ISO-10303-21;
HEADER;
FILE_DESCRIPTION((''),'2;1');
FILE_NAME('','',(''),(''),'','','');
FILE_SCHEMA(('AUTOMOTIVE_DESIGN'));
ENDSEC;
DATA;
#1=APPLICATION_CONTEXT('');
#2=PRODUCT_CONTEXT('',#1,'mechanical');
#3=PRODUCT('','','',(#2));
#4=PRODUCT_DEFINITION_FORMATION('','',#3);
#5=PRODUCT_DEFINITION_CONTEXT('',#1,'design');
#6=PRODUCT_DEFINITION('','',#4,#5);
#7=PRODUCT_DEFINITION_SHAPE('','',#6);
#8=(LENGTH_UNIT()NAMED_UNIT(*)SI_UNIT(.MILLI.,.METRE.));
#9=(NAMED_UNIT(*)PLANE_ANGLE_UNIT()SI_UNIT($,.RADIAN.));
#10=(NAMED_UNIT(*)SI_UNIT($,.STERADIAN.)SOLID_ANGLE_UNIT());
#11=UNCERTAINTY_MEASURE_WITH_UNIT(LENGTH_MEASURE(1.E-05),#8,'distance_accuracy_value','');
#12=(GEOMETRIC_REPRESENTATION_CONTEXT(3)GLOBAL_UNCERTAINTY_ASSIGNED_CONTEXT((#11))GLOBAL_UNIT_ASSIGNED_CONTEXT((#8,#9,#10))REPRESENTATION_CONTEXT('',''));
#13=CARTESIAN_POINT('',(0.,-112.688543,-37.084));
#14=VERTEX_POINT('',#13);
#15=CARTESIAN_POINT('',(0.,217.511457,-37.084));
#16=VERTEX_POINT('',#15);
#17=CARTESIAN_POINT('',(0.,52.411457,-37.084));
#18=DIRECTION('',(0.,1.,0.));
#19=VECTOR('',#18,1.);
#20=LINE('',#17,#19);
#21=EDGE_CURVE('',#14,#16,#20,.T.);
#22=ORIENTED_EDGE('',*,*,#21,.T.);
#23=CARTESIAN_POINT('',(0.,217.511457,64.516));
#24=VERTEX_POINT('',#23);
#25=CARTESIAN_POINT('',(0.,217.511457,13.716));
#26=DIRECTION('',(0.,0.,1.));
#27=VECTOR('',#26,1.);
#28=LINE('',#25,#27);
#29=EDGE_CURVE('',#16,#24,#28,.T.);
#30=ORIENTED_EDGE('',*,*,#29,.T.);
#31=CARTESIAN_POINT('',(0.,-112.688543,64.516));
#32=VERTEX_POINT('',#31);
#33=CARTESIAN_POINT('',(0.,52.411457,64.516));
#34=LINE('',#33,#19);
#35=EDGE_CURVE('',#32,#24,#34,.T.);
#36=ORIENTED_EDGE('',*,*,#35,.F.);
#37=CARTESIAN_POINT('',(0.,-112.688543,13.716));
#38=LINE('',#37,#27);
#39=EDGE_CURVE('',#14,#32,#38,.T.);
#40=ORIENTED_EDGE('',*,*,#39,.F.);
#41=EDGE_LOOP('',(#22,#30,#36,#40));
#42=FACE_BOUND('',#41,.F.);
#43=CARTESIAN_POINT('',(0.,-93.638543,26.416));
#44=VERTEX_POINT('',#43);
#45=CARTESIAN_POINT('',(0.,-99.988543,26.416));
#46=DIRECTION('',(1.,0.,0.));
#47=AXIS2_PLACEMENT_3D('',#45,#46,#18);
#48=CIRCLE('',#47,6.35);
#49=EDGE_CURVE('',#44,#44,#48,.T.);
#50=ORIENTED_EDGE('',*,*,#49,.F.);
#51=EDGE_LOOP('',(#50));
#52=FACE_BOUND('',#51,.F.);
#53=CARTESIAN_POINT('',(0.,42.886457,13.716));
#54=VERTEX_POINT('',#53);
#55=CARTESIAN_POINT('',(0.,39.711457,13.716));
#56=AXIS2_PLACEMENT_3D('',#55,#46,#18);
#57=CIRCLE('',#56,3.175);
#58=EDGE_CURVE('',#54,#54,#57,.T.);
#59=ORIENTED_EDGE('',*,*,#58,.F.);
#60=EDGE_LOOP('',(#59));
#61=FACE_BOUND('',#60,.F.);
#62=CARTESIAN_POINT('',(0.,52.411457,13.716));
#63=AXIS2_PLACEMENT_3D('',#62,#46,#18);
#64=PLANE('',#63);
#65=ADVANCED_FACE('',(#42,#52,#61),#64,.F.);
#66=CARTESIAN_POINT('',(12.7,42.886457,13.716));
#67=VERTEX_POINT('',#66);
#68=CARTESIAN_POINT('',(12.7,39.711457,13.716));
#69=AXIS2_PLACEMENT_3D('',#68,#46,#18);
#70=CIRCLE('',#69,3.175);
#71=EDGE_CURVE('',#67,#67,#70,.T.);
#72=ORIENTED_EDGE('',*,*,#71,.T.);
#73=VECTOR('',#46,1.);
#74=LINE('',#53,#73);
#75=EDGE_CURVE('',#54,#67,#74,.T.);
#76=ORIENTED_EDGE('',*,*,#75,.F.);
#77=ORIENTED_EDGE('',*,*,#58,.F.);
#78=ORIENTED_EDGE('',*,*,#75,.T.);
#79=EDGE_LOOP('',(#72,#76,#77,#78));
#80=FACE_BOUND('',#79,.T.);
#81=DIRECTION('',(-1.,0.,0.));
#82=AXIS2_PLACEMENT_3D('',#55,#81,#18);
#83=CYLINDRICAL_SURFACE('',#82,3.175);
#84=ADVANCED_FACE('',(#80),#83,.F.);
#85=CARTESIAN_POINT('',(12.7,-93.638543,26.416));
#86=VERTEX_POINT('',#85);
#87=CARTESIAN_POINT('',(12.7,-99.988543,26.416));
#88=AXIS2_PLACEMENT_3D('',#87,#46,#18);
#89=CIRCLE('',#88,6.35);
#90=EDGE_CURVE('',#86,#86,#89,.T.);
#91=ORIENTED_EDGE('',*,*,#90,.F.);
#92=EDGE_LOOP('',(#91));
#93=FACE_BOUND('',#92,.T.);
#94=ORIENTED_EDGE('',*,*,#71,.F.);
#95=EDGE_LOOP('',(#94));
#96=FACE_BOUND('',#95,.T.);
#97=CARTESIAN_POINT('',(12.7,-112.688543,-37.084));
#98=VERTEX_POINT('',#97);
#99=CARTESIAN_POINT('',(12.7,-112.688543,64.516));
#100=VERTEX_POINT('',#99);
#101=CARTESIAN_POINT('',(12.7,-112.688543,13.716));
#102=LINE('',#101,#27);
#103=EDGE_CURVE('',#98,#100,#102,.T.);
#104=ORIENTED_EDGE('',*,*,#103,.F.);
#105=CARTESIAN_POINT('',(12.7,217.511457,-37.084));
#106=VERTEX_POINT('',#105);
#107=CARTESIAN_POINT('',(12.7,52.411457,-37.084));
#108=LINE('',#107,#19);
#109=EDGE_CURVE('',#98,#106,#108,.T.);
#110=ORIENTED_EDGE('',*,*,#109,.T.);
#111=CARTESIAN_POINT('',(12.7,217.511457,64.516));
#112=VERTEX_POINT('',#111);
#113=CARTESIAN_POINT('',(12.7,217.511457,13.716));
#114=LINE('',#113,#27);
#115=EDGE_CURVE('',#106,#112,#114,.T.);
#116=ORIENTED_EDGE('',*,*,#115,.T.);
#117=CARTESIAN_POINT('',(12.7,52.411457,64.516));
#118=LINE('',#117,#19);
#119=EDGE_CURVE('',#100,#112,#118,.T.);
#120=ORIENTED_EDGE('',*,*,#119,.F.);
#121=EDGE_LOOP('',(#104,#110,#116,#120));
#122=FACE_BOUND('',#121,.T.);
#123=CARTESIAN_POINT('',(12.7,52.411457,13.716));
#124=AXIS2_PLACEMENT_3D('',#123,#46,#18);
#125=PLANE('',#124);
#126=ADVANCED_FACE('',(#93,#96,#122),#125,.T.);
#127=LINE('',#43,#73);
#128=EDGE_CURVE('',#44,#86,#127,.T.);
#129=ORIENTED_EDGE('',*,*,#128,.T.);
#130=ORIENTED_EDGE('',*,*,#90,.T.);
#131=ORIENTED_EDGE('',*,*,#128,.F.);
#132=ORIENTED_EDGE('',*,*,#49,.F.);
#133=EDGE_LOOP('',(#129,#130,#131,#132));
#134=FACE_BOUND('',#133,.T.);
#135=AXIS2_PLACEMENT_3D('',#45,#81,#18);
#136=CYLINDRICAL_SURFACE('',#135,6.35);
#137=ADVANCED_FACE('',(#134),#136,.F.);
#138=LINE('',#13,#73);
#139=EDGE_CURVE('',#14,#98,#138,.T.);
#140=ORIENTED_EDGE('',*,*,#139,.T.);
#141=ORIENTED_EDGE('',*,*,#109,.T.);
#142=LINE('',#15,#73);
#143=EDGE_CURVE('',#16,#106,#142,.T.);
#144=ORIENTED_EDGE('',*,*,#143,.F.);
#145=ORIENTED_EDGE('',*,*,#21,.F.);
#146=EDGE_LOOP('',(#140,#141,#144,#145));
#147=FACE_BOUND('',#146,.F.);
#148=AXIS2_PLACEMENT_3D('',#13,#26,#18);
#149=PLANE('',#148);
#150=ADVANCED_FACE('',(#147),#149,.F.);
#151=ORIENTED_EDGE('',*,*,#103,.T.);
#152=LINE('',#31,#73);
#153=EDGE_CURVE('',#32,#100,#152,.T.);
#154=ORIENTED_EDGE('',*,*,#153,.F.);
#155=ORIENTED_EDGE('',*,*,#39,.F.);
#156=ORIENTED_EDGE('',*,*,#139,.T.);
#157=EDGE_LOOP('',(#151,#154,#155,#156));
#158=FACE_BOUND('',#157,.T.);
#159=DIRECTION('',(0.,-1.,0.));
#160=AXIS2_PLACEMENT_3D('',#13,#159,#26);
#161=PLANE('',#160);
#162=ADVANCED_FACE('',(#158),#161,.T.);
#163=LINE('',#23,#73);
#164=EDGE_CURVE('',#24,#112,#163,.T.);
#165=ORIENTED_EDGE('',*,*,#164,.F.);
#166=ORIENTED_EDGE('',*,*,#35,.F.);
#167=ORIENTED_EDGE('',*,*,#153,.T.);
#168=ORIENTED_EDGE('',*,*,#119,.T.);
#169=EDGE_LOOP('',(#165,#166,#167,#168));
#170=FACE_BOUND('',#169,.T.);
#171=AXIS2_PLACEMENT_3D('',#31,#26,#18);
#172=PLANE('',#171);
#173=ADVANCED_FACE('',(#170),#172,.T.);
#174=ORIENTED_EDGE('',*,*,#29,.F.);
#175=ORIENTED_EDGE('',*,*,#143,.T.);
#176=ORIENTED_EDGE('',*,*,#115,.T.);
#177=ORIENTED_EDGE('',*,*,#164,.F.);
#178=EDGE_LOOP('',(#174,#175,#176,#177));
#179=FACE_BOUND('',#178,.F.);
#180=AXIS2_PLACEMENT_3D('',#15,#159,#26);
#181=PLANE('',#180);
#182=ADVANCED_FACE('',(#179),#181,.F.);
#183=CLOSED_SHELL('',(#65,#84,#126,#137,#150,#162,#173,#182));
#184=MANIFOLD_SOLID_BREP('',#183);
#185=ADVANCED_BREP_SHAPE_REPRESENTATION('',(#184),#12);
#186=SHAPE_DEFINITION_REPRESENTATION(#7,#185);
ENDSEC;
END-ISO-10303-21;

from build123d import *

# Parameters (mm, degrees)
F0_W     = 330.2
F0_H     = 101.6
F0_R     = 6.35
F0_R_2   = 3.175
F1_DEPTH = 12.7


with BuildPart() as f1:
    # F0 (on Right) → F1 (new body)
    with BuildSketch(Plane.YZ):
        with Locations((52.411457, 13.716)):
            Rectangle(F0_W, F0_H)
        with Locations((-99.988543, 26.416)):
            Circle(F0_R, mode=Mode.SUBTRACT)
        with Locations((39.711457, 13.716)):
            Circle(F0_R_2, mode=Mode.SUBTRACT)
    extrude(amount=F1_DEPTH)


solid = f1.part
